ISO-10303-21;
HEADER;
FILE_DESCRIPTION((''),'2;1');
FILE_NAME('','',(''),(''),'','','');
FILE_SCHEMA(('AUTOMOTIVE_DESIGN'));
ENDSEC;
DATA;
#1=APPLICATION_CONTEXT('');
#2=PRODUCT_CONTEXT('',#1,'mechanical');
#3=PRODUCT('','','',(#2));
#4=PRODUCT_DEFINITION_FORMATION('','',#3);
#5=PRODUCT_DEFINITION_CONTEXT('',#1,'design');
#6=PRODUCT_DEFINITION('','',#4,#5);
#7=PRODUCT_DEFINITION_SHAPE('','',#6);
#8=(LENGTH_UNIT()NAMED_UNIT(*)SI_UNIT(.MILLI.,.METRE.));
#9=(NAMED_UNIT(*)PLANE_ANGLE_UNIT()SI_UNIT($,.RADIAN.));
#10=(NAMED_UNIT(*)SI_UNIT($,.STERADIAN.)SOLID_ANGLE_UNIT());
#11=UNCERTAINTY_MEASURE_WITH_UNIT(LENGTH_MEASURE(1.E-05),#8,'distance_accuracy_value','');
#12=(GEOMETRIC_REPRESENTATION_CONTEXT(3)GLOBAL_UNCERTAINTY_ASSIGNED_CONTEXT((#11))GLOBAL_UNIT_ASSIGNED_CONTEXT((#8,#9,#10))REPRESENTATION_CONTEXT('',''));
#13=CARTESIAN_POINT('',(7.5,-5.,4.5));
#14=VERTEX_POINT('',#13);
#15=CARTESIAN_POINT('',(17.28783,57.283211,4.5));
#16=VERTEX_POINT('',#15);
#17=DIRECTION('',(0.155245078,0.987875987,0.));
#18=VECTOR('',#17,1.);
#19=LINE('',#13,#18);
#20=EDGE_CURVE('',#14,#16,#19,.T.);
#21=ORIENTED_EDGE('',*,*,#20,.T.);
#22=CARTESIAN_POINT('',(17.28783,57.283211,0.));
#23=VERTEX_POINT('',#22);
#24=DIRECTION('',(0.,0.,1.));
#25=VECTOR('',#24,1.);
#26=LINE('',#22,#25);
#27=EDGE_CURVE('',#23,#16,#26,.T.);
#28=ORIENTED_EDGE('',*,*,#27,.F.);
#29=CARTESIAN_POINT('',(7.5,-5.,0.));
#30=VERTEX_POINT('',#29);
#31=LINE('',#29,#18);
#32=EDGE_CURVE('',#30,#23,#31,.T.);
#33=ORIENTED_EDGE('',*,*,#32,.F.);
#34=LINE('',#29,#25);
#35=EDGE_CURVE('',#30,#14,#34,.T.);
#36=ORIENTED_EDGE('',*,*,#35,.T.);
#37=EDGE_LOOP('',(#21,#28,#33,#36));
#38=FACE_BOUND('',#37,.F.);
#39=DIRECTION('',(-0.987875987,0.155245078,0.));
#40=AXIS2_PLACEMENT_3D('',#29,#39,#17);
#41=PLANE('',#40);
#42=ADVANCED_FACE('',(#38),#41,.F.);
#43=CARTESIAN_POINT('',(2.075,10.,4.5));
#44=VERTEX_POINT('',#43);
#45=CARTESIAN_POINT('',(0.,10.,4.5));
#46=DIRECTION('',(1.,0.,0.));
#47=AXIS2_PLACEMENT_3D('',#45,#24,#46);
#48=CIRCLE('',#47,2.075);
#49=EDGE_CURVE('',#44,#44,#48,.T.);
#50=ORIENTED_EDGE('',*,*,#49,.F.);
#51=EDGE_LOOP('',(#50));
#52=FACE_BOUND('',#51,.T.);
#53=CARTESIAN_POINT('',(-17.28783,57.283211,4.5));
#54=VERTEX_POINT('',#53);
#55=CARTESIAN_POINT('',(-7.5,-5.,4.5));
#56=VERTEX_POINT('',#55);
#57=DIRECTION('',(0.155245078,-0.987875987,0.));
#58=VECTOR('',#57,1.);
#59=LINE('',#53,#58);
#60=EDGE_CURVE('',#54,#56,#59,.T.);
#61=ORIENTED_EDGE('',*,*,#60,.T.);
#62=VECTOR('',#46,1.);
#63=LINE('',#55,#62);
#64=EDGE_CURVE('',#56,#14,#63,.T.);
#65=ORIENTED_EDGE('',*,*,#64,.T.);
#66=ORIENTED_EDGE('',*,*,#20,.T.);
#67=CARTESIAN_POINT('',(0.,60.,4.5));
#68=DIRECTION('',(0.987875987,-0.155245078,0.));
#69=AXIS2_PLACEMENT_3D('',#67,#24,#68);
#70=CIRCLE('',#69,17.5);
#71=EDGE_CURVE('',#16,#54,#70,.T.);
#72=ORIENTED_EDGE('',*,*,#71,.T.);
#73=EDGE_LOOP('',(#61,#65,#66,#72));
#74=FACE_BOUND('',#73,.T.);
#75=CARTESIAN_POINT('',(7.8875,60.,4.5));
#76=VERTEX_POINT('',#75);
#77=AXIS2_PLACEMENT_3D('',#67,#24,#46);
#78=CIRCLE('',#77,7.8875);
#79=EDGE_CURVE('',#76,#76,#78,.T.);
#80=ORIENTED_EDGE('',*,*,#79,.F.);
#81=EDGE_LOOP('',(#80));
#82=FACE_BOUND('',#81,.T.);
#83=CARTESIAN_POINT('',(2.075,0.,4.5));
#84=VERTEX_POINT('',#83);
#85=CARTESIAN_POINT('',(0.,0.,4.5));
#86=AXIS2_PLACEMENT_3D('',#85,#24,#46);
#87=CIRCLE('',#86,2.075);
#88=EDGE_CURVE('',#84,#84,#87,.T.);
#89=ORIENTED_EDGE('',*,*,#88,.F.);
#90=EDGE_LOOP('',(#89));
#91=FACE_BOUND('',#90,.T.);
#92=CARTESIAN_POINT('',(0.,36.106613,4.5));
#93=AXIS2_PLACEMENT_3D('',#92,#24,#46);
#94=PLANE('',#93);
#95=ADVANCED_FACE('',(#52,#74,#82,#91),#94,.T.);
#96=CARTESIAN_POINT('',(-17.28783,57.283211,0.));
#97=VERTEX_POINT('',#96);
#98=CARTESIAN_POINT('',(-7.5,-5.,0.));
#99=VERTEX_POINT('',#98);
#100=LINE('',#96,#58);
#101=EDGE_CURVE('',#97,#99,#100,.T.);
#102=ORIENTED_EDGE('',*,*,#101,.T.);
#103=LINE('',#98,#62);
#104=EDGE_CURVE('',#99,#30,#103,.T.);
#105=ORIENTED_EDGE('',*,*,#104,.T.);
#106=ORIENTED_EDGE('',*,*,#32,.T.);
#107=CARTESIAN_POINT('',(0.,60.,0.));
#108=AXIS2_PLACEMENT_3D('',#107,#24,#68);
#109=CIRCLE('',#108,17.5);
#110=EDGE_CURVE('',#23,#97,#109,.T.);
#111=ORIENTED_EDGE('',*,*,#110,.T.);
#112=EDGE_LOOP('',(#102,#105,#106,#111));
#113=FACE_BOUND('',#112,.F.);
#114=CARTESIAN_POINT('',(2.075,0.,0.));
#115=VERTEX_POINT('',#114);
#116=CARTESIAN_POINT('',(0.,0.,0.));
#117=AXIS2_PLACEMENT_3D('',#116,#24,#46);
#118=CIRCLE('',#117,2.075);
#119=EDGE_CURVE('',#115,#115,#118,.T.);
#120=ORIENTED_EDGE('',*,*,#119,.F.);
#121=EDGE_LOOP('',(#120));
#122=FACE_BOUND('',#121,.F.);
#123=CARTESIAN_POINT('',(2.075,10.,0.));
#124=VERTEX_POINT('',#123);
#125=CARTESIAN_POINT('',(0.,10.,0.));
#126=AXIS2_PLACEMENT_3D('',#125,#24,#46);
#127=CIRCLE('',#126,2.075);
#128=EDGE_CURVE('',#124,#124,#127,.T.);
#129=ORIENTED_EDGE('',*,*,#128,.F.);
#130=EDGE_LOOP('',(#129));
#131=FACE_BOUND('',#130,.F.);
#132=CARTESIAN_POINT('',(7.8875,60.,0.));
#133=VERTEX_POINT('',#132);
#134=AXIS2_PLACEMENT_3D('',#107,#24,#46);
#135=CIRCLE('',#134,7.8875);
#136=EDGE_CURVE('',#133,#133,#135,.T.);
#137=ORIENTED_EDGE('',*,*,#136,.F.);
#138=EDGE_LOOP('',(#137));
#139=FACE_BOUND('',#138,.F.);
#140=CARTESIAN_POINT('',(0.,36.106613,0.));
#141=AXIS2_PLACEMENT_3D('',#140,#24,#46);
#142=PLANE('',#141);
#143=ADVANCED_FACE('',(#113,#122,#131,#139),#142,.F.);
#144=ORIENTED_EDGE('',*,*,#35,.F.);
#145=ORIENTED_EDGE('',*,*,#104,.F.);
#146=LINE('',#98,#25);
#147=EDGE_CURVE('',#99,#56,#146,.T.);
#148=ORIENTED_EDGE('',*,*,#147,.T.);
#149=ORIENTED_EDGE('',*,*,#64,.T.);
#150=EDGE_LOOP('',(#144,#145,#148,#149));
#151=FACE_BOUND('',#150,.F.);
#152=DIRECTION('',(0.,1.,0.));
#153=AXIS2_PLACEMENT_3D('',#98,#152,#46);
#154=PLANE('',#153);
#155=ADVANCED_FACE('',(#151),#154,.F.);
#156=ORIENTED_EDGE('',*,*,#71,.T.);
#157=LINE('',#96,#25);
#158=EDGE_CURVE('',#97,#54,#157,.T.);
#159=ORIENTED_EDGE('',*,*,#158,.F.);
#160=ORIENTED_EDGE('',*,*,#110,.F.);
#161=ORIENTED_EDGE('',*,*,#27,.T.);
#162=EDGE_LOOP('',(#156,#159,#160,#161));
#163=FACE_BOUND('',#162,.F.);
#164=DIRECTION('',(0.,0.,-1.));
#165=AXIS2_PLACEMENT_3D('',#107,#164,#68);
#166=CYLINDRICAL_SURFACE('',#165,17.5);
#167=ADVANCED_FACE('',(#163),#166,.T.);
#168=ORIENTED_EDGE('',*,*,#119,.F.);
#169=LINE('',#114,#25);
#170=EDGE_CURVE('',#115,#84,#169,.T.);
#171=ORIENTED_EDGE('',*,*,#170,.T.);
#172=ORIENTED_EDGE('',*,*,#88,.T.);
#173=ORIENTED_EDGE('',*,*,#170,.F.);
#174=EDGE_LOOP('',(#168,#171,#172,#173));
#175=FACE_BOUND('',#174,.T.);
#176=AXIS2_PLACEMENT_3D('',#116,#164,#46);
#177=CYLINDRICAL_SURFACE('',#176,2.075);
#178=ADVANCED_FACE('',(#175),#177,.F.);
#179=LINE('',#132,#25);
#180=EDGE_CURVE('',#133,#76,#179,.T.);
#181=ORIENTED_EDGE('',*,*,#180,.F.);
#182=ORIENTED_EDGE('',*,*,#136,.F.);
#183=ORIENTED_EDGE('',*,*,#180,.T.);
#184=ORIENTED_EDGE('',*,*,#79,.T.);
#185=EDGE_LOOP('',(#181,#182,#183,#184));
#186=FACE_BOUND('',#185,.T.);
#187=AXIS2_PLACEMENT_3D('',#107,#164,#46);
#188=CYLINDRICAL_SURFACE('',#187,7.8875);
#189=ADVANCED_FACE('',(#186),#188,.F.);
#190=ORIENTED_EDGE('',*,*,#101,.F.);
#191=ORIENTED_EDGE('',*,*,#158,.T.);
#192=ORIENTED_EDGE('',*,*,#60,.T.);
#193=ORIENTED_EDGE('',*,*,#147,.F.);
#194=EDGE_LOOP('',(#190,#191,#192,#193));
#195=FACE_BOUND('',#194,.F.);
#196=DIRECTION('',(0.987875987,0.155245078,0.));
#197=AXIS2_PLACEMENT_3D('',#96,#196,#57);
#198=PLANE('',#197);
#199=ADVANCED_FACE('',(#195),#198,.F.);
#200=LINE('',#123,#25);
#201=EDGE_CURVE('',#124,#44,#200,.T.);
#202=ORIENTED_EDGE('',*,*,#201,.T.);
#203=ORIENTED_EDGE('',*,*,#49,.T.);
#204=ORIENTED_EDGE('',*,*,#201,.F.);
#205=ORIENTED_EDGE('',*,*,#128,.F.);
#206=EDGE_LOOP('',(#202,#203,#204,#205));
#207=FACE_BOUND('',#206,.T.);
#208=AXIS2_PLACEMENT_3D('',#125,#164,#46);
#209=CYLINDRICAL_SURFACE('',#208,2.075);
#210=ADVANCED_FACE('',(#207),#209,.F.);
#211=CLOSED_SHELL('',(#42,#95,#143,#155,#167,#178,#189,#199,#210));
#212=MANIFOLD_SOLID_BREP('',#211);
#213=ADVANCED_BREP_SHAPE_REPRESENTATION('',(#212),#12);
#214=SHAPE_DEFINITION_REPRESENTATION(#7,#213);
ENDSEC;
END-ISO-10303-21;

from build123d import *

# Parameters (mm, degrees)
SKETCH1_R           = 2.075
SKETCH1_R_2         = 7.8875
BOSS_EXTRUDE2_DEPTH = 4.5


with BuildPart() as part:
    # Sketch1 → Boss-Extrude2 (new body)
    with BuildSketch(Plane.XY):
        with BuildLine():
            Line((-7.5, -5), (7.5, -5))
            Line((7.5, -5), (17.287829772, 57.283211128))
            ThreePointArc((17.287829772, 57.283211128), (0, 77.5), (-17.287829772, 57.283211128))
            Line((-17.287829772, 57.283211128), (-7.5, -5))
        make_face()
        Circle(SKETCH1_R, mode=Mode.SUBTRACT)
        with Locations((0, 60)):
            Circle(SKETCH1_R_2, mode=Mode.SUBTRACT)
        with Locations((0, 10)):
            Circle(SKETCH1_R, mode=Mode.SUBTRACT)
    extrude(amount=BOSS_EXTRUDE2_DEPTH)


solid = part.part
